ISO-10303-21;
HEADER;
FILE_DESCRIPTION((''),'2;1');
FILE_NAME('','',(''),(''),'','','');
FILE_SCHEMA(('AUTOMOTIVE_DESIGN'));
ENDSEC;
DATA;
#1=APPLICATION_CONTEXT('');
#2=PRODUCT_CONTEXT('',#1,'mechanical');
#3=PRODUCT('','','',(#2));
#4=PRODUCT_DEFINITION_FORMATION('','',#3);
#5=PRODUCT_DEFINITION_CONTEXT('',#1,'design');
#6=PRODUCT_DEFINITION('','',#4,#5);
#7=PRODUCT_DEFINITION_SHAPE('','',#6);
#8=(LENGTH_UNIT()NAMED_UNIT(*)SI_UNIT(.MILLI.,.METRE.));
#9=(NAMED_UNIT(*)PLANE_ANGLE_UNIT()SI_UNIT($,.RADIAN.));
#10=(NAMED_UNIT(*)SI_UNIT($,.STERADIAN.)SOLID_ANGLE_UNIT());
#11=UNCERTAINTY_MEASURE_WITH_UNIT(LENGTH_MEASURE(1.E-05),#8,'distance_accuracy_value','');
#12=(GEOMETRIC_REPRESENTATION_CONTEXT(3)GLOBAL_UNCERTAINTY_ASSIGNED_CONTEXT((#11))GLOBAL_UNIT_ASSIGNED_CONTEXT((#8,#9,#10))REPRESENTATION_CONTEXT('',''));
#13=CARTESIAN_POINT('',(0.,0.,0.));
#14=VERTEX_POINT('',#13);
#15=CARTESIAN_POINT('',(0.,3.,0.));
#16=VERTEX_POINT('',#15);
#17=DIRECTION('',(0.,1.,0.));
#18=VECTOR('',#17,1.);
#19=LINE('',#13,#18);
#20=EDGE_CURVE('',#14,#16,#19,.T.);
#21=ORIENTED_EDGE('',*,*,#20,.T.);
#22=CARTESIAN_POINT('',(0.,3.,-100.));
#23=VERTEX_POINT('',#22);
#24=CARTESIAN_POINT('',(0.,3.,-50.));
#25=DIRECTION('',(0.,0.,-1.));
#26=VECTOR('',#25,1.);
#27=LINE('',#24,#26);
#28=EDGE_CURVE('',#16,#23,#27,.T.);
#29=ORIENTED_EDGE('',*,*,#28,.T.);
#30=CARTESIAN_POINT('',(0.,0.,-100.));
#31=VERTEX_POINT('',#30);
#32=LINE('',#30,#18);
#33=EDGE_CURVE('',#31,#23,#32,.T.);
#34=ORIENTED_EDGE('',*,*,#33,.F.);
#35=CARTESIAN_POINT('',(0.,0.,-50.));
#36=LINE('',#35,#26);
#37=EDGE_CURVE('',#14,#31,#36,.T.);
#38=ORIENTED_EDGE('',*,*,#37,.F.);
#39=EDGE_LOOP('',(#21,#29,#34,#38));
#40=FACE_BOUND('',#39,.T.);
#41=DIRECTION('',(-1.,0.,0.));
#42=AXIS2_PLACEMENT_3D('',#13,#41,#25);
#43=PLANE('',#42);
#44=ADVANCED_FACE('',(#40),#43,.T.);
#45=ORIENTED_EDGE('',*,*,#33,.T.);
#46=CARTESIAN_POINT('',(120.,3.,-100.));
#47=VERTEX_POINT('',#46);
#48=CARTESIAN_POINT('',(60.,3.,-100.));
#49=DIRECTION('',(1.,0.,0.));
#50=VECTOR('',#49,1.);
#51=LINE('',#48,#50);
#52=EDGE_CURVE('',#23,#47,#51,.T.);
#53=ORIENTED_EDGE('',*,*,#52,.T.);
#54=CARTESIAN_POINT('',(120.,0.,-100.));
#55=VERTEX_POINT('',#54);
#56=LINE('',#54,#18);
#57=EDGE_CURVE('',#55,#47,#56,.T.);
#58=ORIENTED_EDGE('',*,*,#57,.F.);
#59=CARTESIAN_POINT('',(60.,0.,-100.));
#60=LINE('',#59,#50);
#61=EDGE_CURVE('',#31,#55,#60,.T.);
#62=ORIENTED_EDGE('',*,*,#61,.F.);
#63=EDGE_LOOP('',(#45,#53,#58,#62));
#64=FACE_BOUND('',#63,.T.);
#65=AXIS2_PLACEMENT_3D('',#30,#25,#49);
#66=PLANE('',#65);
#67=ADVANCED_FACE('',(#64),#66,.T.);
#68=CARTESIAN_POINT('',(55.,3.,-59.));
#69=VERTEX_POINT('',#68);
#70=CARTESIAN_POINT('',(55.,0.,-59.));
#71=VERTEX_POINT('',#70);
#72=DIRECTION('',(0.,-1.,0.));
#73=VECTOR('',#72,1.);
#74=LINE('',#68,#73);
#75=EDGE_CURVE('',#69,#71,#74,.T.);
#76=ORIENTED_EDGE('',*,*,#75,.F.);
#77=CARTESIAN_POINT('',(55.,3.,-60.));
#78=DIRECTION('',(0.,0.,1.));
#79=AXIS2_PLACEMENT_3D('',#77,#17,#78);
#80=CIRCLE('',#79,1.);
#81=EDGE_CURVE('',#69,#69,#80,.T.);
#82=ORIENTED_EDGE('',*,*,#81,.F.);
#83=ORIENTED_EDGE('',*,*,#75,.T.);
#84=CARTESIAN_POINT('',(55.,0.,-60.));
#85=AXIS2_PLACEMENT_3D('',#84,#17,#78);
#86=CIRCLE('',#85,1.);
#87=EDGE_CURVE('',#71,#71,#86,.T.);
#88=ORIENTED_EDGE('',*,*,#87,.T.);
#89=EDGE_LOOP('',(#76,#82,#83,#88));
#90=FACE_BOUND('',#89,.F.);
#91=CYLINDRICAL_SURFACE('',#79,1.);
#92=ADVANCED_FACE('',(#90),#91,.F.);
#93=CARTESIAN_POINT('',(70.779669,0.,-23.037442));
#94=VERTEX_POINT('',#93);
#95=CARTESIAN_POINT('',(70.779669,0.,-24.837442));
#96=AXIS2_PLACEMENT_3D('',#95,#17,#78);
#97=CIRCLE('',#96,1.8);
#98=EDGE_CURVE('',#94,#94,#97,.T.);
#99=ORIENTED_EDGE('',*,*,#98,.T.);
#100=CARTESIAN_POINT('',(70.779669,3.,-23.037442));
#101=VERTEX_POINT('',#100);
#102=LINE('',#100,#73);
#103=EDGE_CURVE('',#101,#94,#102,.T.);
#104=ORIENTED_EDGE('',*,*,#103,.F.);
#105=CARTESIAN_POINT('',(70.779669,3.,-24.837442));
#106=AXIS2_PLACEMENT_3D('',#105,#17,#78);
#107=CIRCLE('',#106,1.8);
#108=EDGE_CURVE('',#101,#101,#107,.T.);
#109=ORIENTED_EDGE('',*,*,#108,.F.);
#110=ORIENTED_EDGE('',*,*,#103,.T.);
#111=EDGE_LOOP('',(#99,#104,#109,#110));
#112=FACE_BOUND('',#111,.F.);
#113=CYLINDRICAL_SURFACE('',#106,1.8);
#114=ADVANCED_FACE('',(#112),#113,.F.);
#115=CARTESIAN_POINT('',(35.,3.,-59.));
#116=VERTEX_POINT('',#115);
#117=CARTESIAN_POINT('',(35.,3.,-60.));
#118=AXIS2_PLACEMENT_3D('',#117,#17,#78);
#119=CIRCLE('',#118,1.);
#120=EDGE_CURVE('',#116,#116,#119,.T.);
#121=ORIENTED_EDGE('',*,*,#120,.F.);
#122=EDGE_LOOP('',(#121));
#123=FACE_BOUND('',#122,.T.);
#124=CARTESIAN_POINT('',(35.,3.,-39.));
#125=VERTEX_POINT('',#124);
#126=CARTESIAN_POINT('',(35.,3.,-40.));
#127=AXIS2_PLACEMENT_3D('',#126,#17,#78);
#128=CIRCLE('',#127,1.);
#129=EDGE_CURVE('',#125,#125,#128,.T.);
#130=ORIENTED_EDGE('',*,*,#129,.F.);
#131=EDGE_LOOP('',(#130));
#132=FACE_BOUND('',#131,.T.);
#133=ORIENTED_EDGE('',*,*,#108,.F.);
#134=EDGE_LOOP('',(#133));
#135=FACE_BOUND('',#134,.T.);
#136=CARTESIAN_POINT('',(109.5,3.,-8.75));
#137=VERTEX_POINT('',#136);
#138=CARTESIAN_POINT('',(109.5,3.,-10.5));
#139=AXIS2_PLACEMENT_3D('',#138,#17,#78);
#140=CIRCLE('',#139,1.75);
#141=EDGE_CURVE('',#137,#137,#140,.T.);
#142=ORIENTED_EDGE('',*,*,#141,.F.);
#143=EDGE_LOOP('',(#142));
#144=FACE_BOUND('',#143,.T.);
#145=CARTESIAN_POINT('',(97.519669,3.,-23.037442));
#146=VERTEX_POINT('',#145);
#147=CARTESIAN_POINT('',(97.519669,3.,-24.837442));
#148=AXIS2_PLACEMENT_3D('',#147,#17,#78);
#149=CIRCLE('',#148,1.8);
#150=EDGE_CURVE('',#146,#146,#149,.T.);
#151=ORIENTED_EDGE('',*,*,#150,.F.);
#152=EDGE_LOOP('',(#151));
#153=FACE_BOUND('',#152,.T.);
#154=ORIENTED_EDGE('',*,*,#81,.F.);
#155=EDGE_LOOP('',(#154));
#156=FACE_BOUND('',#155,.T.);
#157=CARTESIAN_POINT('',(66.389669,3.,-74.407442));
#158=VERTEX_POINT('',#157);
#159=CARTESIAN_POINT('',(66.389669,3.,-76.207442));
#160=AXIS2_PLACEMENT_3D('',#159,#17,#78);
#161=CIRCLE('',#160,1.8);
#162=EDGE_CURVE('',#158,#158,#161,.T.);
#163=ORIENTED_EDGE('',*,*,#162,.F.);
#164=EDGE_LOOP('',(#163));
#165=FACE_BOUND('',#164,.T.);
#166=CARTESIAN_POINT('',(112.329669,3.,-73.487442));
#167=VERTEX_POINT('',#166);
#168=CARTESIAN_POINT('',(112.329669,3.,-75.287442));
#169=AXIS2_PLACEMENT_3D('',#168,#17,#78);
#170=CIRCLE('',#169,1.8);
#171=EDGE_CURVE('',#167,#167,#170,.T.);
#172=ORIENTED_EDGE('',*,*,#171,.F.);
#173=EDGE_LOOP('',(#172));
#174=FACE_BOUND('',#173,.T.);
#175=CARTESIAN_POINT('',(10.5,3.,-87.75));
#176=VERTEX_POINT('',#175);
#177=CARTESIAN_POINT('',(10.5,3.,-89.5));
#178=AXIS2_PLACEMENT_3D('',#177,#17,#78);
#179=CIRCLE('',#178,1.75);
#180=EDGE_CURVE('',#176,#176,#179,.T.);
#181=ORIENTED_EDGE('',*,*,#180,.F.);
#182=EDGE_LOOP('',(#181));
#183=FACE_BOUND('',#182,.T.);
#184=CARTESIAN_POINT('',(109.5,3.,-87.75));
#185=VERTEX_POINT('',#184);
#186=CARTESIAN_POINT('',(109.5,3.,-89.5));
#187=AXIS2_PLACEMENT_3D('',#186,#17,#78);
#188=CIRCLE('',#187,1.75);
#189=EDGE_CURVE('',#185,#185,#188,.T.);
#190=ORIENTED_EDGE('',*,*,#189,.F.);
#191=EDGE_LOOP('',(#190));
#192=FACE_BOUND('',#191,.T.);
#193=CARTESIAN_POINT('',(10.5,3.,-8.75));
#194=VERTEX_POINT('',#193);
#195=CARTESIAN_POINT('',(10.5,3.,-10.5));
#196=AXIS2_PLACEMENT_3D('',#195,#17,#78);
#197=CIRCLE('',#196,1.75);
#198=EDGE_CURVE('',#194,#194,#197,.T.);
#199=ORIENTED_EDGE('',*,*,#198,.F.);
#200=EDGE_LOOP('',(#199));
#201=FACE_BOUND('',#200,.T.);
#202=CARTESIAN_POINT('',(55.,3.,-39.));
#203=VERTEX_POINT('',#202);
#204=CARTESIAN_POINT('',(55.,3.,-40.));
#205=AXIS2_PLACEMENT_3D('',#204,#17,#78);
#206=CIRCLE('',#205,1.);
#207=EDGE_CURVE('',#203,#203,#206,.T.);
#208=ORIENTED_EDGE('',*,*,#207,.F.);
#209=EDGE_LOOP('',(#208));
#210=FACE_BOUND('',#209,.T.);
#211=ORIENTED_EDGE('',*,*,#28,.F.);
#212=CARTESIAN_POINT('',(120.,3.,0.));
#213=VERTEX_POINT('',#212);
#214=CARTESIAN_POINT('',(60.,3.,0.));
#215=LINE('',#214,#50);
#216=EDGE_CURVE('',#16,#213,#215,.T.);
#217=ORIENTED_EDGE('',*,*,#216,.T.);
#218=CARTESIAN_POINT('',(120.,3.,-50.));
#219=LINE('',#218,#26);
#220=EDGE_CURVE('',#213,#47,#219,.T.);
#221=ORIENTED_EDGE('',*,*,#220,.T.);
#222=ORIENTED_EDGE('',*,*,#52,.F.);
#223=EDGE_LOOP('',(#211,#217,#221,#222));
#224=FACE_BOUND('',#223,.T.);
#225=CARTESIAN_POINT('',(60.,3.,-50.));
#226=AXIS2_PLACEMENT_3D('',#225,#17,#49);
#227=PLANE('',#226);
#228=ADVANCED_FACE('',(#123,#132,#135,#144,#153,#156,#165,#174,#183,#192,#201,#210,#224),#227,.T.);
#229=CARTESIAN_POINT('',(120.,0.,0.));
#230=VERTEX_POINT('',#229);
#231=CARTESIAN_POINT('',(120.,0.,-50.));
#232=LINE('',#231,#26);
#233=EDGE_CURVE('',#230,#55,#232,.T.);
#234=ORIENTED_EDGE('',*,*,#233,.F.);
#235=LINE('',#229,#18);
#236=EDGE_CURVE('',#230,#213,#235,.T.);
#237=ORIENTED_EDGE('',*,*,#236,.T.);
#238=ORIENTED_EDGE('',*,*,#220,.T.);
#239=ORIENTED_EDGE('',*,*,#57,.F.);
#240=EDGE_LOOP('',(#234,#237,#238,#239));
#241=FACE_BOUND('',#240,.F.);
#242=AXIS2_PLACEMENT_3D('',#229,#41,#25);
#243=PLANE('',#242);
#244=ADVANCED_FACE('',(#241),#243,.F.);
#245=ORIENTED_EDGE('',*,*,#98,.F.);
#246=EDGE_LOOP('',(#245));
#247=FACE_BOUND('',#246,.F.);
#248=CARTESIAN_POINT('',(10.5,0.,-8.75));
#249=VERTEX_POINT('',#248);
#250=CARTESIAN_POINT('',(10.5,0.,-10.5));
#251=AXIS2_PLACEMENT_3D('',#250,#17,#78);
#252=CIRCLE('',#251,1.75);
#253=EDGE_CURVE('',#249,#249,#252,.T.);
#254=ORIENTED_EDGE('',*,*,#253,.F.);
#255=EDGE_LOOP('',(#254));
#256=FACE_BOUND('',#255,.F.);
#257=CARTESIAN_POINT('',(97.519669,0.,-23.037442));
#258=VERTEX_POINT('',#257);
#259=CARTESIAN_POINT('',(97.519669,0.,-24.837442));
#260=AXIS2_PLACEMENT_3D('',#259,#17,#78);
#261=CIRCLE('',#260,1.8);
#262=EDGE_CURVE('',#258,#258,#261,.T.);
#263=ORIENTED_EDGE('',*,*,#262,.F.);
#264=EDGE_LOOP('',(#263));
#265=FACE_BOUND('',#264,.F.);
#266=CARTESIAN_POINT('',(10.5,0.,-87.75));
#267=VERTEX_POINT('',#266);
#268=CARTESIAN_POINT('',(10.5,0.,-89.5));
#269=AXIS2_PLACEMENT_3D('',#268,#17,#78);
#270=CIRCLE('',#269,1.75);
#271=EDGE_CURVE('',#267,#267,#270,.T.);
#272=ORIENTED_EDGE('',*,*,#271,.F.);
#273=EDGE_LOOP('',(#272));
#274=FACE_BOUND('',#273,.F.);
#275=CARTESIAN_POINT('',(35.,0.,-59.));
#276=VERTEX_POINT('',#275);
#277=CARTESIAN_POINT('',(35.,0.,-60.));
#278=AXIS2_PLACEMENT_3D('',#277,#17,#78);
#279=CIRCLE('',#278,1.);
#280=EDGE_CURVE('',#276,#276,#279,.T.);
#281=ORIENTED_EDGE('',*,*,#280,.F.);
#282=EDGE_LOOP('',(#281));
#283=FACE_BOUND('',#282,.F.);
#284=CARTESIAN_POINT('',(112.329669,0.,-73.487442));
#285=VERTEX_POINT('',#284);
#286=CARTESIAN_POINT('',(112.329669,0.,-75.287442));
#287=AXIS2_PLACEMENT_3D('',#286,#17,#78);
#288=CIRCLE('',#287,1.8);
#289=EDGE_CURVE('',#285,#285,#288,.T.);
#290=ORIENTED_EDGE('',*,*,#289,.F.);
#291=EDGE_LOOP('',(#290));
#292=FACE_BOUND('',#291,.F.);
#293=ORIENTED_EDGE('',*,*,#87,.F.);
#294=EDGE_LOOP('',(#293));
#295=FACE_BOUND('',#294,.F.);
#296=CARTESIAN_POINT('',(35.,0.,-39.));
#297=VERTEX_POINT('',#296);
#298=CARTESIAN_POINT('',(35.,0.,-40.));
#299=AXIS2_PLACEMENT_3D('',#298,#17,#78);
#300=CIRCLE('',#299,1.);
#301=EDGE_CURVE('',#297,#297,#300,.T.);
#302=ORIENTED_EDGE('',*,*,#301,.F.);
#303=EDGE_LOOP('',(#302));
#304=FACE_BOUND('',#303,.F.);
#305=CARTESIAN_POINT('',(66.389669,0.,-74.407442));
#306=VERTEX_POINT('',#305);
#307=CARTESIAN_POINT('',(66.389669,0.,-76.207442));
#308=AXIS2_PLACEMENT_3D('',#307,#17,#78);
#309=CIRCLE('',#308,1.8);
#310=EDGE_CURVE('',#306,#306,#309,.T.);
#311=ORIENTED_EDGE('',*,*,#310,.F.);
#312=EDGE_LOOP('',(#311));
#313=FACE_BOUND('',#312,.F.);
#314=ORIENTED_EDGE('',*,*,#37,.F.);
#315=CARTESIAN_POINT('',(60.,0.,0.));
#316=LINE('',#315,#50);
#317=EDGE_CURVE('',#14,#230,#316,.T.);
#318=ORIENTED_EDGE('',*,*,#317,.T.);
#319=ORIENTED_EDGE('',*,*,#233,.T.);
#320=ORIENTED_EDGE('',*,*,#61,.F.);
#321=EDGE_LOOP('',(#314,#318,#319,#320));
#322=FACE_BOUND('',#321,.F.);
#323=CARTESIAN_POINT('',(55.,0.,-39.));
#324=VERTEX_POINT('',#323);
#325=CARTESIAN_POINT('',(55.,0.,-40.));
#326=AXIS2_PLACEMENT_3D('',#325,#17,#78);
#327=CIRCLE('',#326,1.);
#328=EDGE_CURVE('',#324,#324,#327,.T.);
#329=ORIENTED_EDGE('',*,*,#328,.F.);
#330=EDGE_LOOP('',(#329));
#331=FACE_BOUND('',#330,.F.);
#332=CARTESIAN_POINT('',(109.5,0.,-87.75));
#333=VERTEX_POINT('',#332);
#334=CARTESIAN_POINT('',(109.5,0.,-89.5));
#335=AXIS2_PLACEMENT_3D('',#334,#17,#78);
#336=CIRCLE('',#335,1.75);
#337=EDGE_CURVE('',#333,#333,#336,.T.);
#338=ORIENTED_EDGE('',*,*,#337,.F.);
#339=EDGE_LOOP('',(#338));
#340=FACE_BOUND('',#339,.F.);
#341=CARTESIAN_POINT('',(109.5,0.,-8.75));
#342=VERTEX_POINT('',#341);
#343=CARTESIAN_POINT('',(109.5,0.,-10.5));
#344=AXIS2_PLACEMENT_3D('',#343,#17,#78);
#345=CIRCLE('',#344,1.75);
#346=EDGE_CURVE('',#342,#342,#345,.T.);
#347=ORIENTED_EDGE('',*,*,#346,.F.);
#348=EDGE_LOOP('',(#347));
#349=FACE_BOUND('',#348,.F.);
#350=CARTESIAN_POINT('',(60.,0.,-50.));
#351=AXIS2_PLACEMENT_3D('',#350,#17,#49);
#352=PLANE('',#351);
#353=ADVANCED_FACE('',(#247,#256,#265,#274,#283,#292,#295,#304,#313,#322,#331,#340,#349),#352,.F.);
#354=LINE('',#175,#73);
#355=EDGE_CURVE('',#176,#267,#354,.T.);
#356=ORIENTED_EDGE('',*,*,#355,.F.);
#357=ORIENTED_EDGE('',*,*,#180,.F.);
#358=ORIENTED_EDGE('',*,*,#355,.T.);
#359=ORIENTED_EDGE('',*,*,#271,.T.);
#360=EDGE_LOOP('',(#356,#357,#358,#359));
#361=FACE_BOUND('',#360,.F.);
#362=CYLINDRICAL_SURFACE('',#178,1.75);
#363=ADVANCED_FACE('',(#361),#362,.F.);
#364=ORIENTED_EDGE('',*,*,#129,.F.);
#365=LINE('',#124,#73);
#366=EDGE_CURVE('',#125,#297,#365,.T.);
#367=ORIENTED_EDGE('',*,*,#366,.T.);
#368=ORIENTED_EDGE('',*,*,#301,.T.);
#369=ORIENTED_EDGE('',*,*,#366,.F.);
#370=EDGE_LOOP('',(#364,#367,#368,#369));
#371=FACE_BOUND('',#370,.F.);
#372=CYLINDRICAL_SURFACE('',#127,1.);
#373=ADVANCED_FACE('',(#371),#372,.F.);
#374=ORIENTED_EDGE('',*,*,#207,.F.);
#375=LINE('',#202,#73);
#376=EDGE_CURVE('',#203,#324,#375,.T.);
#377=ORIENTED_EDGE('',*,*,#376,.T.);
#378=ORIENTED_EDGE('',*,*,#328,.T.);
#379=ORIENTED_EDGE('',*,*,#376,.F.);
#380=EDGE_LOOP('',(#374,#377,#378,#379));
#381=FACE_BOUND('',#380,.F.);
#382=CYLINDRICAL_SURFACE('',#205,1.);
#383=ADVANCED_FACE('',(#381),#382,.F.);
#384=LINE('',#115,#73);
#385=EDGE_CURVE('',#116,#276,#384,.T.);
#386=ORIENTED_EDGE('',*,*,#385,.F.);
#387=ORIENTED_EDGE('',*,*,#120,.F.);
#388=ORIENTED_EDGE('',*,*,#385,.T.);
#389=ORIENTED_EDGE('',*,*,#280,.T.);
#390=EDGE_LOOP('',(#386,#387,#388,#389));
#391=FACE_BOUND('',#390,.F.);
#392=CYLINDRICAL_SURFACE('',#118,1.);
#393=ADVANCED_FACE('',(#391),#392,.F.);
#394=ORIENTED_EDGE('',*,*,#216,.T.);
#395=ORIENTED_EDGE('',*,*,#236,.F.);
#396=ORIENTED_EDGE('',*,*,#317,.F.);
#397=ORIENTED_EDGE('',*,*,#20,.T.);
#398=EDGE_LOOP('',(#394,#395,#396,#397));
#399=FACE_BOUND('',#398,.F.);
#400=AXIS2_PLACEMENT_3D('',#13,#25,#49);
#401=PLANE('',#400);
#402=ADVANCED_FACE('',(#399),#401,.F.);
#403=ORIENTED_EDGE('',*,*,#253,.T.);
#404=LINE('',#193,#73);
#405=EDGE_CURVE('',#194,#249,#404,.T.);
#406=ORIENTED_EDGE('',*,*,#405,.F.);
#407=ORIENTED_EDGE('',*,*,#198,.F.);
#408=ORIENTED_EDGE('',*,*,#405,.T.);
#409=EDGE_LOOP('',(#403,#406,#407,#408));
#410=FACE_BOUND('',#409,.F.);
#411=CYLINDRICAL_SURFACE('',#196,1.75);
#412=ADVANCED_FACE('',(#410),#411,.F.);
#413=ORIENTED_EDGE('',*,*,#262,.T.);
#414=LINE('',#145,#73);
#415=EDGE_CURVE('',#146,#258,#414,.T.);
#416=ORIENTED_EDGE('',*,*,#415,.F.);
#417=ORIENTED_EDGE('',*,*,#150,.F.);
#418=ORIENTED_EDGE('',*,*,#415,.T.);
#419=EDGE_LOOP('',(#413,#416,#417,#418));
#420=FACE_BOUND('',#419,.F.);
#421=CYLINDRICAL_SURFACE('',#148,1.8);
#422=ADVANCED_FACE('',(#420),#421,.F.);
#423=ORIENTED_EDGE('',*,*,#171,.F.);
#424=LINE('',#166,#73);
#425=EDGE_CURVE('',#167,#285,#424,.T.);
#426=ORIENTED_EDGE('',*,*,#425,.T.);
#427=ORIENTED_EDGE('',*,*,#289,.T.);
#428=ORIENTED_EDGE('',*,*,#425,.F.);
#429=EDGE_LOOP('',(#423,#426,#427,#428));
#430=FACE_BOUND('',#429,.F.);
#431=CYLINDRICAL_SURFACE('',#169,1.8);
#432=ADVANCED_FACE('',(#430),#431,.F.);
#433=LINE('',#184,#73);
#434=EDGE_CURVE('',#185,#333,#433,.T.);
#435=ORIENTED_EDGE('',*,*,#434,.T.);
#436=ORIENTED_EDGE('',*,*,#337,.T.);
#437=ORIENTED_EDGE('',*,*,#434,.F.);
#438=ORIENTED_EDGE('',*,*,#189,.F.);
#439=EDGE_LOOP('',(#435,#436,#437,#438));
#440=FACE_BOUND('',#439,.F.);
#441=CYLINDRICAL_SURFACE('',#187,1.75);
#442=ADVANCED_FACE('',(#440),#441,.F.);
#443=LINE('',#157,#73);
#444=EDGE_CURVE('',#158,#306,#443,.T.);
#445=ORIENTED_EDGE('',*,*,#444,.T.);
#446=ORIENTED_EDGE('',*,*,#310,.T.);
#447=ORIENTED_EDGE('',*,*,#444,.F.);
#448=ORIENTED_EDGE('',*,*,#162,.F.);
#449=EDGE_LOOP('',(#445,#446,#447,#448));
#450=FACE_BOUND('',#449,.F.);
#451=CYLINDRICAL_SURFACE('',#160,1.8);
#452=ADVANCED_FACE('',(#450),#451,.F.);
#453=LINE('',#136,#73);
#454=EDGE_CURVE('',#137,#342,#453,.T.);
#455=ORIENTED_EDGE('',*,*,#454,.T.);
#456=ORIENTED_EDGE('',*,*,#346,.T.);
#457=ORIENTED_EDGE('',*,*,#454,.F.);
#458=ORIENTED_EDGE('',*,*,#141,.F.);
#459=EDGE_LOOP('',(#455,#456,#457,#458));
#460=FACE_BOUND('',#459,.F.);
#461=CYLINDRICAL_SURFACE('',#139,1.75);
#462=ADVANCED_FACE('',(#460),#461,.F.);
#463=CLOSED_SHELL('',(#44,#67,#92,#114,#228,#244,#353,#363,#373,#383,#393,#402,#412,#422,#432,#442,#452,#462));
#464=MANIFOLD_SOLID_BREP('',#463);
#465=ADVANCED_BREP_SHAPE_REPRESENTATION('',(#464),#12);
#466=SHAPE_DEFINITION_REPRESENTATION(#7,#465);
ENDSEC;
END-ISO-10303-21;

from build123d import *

# Parameters (mm, degrees)
SKETCH1_W           = 120
SKETCH1_H           = 100
BOSS_EXTRUDE1_DEPTH = 3
SKETCH2_R           = 1.75
HOLES_SPACERS_DEPTH = 10
HOLES_IMU_REACH     = 158.234
SKETCH3_R           = 1
HOLES_ARDUINO_REACH = 158.234
SKETCH4_R           = 1.8


with BuildPart() as part:
    # Sketch1 → Boss-Extrude1 (new body)
    with BuildSketch(Plane(origin=(0, 0, 0), x_dir=(1, 0, 0), z_dir=(0, 1, 0))):
        with Locations((60, 50)):
            Rectangle(SKETCH1_W, SKETCH1_H)
    extrude(amount=BOSS_EXTRUDE1_DEPTH)

    # Sketch2 → holes_spacers (cut)
    with BuildSketch(Plane(origin=(0, 3, 0), x_dir=(1, 0, 0), z_dir=(0, 1, 0))):
        with Locations(Location((10.5, 89.5, 0), (0, 0, 270))):
            Circle(SKETCH2_R)
        with Locations(Location((109.5, 89.5, 0), (0, 0, 270))):
            Circle(SKETCH2_R)
        with Locations(Location((109.5, 10.5, 0), (0, 0, 270))):
            Circle(SKETCH2_R)
        with Locations(Location((10.5, 10.5, 0), (0, 0, 270))):
            Circle(SKETCH2_R)
    extrude(amount=-HOLES_SPACERS_DEPTH, mode=Mode.SUBTRACT)

    # Sketch3 → holes_IMU (cut, up to next)
    with BuildSketch(Plane(origin=(0, 3, 0), x_dir=(1, 0, 0), z_dir=(0, 1, 0)), mode=Mode.PRIVATE) as holes_imu_sk1:
        with Locations(Location((35, 60, 0), (0, 0, 270))):
            Circle(SKETCH3_R)
    holes_imu_tool1 = extrude(holes_imu_sk1.sketch, amount=-HOLES_IMU_REACH, mode=Mode.PRIVATE) & part.part
    # Sketch3 → holes_IMU (cut, up to next)
    with BuildSketch(Plane(origin=(0, 3, 0), x_dir=(1, 0, 0), z_dir=(0, 1, 0)), mode=Mode.PRIVATE) as holes_imu_sk2:
        with Locations(Location((55, 60, 0), (0, 0, 270))):
            Circle(SKETCH3_R)
    holes_imu_tool2 = extrude(holes_imu_sk2.sketch, amount=-HOLES_IMU_REACH, mode=Mode.PRIVATE) & part.part
    # Sketch3 → holes_IMU (cut, up to next)
    with BuildSketch(Plane(origin=(0, 3, 0), x_dir=(1, 0, 0), z_dir=(0, 1, 0)), mode=Mode.PRIVATE) as holes_imu_sk3:
        with Locations(Location((55, 40, 0), (0, 0, 270))):
            Circle(SKETCH3_R)
    holes_imu_tool3 = extrude(holes_imu_sk3.sketch, amount=-HOLES_IMU_REACH, mode=Mode.PRIVATE) & part.part
    # Sketch3 → holes_IMU (cut, up to next)
    with BuildSketch(Plane(origin=(0, 3, 0), x_dir=(1, 0, 0), z_dir=(0, 1, 0)), mode=Mode.PRIVATE) as holes_imu_sk4:
        with Locations(Location((35, 40, 0), (0, 0, 270))):
            Circle(SKETCH3_R)
    holes_imu_tool4 = extrude(holes_imu_sk4.sketch, amount=-HOLES_IMU_REACH, mode=Mode.PRIVATE) & part.part
    add(holes_imu_tool1.solids().sort_by_distance((35, 3, -60))[0], mode=Mode.SUBTRACT)
    add(holes_imu_tool2.solids().sort_by_distance((55, 3, -60))[0], mode=Mode.SUBTRACT)
    add(holes_imu_tool3.solids().sort_by_distance((55, 3, -40))[0], mode=Mode.SUBTRACT)
    add(holes_imu_tool4.solids().sort_by_distance((35, 3, -40))[0], mode=Mode.SUBTRACT)

    # Sketch4 → holes_arduino (cut, up to next)
    with BuildSketch(Plane(origin=(0, 3, 0), x_dir=(1, 0, 0), z_dir=(0, 1, 0)), mode=Mode.PRIVATE) as holes_arduino_sk1:
        with Locations(Location((66.389668811, 76.207441627, 0), (0, 0, 270))):
            Circle(SKETCH4_R)
    holes_arduino_tool1 = extrude(holes_arduino_sk1.sketch, amount=-HOLES_ARDUINO_REACH, mode=Mode.PRIVATE) & part.part
    # Sketch4 → holes_arduino (cut, up to next)
    with BuildSketch(Plane(origin=(0, 3, 0), x_dir=(1, 0, 0), z_dir=(0, 1, 0)), mode=Mode.PRIVATE) as holes_arduino_sk2:
        with Locations(Location((112.329668811, 75.287441627, 0), (0, 0, 270))):
            Circle(SKETCH4_R)
    holes_arduino_tool2 = extrude(holes_arduino_sk2.sketch, amount=-HOLES_ARDUINO_REACH, mode=Mode.PRIVATE) & part.part
    # Sketch4 → holes_arduino (cut, up to next)
    with BuildSketch(Plane(origin=(0, 3, 0), x_dir=(1, 0, 0), z_dir=(0, 1, 0)), mode=Mode.PRIVATE) as holes_arduino_sk3:
        with Locations(Location((97.519668811, 24.837441627, 0), (0, 0, 270))):
            Circle(SKETCH4_R)
    holes_arduino_tool3 = extrude(holes_arduino_sk3.sketch, amount=-HOLES_ARDUINO_REACH, mode=Mode.PRIVATE) & part.part
    # Sketch4 → holes_arduino (cut, up to next)
    with BuildSketch(Plane(origin=(0, 3, 0), x_dir=(1, 0, 0), z_dir=(0, 1, 0)), mode=Mode.PRIVATE) as holes_arduino_sk4:
        with Locations(Location((70.779668811, 24.837441627, 0), (0, 0, 270))):
            Circle(SKETCH4_R)
    holes_arduino_tool4 = extrude(holes_arduino_sk4.sketch, amount=-HOLES_ARDUINO_REACH, mode=Mode.PRIVATE) & part.part
    add(holes_arduino_tool1.solids().sort_by_distance((66.389669, 3, -76.207442))[0], mode=Mode.SUBTRACT)
    add(holes_arduino_tool2.solids().sort_by_distance((112.329669, 3, -75.287442))[0], mode=Mode.SUBTRACT)
    add(holes_arduino_tool3.solids().sort_by_distance((97.519669, 3, -24.837442))[0], mode=Mode.SUBTRACT)
    add(holes_arduino_tool4.solids().sort_by_distance((70.779669, 3, -24.837442))[0], mode=Mode.SUBTRACT)


solid = part.part
